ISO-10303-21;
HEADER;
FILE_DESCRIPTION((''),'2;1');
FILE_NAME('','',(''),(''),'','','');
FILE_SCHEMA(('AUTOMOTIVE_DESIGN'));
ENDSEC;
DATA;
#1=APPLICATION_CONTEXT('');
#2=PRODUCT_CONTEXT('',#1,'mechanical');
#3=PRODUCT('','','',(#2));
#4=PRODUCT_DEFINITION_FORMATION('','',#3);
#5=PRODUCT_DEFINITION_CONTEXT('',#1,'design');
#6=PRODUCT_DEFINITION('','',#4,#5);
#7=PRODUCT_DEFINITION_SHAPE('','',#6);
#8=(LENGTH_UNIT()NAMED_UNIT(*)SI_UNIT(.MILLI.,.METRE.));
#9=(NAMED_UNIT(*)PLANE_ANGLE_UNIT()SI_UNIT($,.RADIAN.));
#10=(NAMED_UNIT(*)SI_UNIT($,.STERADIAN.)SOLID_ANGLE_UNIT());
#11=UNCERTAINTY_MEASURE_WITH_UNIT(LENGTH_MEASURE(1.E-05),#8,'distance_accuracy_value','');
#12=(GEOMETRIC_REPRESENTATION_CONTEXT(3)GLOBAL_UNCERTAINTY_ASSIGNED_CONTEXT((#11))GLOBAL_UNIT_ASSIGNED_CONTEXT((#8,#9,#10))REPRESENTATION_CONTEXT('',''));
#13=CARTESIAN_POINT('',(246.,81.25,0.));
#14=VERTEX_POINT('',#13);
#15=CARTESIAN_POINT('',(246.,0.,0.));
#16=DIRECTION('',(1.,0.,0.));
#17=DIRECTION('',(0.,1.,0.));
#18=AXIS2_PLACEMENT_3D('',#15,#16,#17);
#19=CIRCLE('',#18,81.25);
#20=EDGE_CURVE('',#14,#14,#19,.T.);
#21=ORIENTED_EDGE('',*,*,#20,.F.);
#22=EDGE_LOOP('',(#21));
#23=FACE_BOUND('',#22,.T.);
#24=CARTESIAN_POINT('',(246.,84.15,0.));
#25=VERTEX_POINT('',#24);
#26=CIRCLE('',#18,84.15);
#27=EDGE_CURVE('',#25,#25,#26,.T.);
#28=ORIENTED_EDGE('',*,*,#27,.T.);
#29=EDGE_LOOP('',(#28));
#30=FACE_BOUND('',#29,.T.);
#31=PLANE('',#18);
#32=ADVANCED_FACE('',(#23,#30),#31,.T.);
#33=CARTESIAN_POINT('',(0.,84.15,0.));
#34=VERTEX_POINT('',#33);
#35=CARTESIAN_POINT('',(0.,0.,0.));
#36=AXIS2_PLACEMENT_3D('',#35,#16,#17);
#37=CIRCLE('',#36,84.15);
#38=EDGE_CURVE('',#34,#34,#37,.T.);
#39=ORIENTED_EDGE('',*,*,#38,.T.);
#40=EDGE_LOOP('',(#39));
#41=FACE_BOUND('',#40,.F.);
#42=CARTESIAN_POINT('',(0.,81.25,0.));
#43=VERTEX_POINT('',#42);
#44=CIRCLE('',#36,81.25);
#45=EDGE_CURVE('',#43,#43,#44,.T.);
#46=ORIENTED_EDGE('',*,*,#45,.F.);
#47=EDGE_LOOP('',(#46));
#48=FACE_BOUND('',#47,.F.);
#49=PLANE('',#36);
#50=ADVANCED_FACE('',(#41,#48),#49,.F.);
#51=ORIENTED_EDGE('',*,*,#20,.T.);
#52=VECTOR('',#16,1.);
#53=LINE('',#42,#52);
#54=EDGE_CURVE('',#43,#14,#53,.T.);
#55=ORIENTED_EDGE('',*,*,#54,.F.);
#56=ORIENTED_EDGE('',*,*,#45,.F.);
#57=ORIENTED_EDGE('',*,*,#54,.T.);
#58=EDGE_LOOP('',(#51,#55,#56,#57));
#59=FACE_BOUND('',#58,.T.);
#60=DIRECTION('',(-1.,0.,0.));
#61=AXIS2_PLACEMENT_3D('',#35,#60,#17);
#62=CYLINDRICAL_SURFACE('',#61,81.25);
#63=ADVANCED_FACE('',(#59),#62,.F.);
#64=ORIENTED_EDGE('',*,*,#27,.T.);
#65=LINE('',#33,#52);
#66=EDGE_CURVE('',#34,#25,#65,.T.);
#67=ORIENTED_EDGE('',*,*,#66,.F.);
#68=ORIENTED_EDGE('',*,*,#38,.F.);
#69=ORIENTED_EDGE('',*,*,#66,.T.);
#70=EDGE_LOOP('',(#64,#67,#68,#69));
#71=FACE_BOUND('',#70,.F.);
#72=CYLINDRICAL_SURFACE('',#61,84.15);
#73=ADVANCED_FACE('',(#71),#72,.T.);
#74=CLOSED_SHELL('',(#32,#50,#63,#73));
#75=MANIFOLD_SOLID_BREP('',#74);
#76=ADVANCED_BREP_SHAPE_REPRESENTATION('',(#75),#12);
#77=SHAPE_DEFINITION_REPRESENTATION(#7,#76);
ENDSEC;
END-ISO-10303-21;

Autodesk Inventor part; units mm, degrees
ref_plane "YZ Plane" through (0, 0, 0) normal (1, 0, 0) x (0, 1, 0)
ref_plane "XZ Plane" through (0, 0, 0) normal (0, 1, 0) x (-1, 0, 0)
ref_plane "XY Plane" through (0, 0, 0) normal (0, 0, 1) x (1, 0, 0)
sketch "Sketch1" plane through (0, 0, 0) normal (1, 0, 0) x (0, 1, 0)
  circle A0 centre (0, 0) radius 84.15
  circle A1 centre (0, 0) radius 81.25
  dimension "d0" = 168.3
  dimension "d1" = 2.9
extrude "Extrusion1" add sketch "Sketch1" along normal blind 246
equation "\"d0\" = OD"
equation "\"d1\" = t"
equation "\"d2\" = L"
equation "\"OD\" = 168.3"
equation "\"t\" = 2.9"
equation "\"L\" = PL"
equation "\"ID\" = 162.5"
equation "\"PL\" = 246"
equation "\"Size_Designation\" = 1.2345"
properties material "Steel"
